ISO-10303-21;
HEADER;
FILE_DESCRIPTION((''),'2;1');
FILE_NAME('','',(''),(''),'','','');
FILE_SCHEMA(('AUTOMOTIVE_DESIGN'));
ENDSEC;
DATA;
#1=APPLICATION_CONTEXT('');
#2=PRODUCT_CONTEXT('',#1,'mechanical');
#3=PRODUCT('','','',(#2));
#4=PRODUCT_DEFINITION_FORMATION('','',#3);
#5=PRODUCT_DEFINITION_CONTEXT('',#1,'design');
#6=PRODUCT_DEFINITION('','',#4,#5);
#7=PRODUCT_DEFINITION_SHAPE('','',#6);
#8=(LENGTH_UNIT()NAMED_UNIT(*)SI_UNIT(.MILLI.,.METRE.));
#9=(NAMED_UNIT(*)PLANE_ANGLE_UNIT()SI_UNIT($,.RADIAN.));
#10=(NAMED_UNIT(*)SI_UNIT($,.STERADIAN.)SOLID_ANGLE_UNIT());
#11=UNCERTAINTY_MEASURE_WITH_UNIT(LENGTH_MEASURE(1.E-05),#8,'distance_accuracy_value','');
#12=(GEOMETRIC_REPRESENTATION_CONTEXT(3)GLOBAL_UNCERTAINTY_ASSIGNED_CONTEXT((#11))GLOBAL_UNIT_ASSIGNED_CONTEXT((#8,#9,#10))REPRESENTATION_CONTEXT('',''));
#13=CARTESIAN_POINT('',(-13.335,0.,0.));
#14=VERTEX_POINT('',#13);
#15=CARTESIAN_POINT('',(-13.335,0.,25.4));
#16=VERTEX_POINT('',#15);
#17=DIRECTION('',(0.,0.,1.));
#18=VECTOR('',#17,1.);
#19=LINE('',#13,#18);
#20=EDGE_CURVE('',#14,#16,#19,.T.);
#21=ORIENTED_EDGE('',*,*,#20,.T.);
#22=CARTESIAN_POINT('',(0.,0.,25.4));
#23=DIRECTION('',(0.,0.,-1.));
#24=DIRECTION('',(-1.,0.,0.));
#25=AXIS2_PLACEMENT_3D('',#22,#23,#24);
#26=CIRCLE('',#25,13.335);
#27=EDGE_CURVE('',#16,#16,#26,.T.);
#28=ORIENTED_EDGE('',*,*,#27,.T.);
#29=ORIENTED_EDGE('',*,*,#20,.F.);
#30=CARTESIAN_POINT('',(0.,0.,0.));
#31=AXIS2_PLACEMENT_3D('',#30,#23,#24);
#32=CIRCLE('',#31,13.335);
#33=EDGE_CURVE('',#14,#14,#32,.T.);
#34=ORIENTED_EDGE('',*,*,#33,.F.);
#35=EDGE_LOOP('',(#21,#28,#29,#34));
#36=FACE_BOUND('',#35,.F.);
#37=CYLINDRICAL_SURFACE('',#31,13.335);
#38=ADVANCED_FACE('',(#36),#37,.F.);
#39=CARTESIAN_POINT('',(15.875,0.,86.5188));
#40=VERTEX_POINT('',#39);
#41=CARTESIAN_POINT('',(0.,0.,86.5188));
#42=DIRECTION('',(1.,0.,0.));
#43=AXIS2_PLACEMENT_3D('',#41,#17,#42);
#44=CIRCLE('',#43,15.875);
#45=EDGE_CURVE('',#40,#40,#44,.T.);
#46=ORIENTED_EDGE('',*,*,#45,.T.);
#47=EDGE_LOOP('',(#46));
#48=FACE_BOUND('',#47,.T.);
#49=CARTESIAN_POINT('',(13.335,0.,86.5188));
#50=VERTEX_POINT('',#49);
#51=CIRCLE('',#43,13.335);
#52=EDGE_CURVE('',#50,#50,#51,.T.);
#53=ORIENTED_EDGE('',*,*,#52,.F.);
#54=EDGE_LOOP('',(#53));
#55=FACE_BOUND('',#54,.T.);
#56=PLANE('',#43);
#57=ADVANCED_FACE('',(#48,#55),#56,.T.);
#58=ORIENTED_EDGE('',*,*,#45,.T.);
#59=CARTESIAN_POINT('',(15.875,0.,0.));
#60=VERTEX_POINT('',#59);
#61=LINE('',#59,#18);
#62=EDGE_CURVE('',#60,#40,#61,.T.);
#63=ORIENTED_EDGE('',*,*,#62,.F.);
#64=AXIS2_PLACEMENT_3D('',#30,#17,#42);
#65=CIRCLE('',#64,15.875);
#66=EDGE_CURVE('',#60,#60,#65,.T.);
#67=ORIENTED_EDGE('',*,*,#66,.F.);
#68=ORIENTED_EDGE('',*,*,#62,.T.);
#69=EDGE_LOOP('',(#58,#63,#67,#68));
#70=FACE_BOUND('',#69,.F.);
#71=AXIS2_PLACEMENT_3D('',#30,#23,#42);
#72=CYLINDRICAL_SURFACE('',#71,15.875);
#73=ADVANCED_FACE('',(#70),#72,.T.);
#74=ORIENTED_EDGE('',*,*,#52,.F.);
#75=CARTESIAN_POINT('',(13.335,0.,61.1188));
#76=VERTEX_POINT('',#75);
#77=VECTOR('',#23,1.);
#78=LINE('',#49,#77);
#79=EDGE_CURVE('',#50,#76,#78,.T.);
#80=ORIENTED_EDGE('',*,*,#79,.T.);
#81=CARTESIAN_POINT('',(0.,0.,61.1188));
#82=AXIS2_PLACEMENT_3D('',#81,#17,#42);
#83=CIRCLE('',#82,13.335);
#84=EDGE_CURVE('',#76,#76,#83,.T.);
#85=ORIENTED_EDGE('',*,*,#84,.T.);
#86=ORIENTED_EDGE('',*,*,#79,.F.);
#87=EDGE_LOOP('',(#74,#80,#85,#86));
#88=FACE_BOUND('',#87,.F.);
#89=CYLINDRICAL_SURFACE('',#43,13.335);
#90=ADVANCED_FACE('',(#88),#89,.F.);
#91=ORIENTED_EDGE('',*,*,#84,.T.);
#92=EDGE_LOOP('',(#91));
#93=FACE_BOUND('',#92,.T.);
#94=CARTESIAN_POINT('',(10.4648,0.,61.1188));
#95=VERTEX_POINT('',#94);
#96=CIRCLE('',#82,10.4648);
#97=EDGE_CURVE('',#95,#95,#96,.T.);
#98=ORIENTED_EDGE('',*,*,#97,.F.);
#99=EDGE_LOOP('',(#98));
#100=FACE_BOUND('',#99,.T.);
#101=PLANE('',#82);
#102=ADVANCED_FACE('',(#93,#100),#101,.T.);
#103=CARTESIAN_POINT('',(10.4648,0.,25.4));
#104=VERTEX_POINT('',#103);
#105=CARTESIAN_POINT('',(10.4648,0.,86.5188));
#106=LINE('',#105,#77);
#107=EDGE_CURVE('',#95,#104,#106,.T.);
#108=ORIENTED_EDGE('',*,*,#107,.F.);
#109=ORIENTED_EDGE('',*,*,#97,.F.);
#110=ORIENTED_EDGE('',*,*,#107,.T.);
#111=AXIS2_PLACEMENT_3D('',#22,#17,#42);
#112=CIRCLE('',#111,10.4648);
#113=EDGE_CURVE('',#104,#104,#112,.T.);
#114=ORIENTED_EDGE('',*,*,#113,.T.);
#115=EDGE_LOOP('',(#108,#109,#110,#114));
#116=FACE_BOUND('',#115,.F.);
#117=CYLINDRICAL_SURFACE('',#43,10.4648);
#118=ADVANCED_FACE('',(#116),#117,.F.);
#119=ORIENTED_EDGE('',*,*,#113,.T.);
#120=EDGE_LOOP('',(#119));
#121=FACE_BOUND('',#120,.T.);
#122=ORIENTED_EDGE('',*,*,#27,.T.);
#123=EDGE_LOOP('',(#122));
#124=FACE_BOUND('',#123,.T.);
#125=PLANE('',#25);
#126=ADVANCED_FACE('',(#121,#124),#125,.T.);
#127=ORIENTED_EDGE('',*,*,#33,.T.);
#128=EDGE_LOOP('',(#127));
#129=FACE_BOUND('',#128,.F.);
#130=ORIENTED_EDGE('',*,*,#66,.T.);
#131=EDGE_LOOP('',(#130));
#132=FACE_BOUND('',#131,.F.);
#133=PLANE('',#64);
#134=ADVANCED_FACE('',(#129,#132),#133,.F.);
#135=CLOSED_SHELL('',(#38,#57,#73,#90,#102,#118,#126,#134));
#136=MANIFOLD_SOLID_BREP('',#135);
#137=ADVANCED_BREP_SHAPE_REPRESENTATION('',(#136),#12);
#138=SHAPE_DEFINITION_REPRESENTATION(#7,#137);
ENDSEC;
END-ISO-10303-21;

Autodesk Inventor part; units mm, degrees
ref_plane "YZ Plane" through (0, 0, 0) normal (1, 0, 0) x (0, 1, 0)
ref_plane "XZ Plane" through (0, 0, 0) normal (0, 1, 0) x (-1, 0, 0)
ref_plane "XY Plane" through (0, 0, 0) normal (0, 0, 1) x (1, 0, 0)
sketch "Sketch1" plane through (0, 0, 0) normal (0, 0, 1) x (1, 0, 0)
  circle A0 centre (0, 0) radius 15.875
  dimension "d0" = 31.75
extrude "mainBody" add sketch "Sketch1" along normal blind 86.5188
sketch "Sketch14" plane through (0, 0, 86.5188) normal (0, 0, 1) x (1, 0, 0)
  circle A0 centre (0, 0) radius 15.875 projected
  circle A1 centre (0, 0) radius 10.4648
  dimension "d43" = 20.9296
extrude "mainTube" cut sketch "Sketch14" against normal blind 177.8 contours A1
sketch "Sketch15" plane through (0, 0, 86.5188) normal (0, 0, 1) x (1, 0, 0)
  circle A0 centre (0, 0) radius 10.4648 projected
  circle A1 centre (0, 0) radius 15.875 projected
  circle A2 centre (0, 0) radius 13.335
  dimension "d47" = 26.67
extrude "mainSocket1" cut sketch "Sketch15" against normal blind 25.4 contours A2
sketch "Sketch16" plane through (0, 0, 0) normal (0, 0, -1) x (-1, 0, 0)
  circle A0 centre (0, 0) radius 10.4648 projected
  circle A1 centre (0, 0) radius 15.875 projected
  circle A2 centre (0, 0) radius 13.335
  dimension "d51" = 26.67
extrude "mainSocket2" cut sketch "Sketch16" against normal blind 25.4 contours A2
properties part number "0pvc_T_0.75" material "PVC-Piping"
